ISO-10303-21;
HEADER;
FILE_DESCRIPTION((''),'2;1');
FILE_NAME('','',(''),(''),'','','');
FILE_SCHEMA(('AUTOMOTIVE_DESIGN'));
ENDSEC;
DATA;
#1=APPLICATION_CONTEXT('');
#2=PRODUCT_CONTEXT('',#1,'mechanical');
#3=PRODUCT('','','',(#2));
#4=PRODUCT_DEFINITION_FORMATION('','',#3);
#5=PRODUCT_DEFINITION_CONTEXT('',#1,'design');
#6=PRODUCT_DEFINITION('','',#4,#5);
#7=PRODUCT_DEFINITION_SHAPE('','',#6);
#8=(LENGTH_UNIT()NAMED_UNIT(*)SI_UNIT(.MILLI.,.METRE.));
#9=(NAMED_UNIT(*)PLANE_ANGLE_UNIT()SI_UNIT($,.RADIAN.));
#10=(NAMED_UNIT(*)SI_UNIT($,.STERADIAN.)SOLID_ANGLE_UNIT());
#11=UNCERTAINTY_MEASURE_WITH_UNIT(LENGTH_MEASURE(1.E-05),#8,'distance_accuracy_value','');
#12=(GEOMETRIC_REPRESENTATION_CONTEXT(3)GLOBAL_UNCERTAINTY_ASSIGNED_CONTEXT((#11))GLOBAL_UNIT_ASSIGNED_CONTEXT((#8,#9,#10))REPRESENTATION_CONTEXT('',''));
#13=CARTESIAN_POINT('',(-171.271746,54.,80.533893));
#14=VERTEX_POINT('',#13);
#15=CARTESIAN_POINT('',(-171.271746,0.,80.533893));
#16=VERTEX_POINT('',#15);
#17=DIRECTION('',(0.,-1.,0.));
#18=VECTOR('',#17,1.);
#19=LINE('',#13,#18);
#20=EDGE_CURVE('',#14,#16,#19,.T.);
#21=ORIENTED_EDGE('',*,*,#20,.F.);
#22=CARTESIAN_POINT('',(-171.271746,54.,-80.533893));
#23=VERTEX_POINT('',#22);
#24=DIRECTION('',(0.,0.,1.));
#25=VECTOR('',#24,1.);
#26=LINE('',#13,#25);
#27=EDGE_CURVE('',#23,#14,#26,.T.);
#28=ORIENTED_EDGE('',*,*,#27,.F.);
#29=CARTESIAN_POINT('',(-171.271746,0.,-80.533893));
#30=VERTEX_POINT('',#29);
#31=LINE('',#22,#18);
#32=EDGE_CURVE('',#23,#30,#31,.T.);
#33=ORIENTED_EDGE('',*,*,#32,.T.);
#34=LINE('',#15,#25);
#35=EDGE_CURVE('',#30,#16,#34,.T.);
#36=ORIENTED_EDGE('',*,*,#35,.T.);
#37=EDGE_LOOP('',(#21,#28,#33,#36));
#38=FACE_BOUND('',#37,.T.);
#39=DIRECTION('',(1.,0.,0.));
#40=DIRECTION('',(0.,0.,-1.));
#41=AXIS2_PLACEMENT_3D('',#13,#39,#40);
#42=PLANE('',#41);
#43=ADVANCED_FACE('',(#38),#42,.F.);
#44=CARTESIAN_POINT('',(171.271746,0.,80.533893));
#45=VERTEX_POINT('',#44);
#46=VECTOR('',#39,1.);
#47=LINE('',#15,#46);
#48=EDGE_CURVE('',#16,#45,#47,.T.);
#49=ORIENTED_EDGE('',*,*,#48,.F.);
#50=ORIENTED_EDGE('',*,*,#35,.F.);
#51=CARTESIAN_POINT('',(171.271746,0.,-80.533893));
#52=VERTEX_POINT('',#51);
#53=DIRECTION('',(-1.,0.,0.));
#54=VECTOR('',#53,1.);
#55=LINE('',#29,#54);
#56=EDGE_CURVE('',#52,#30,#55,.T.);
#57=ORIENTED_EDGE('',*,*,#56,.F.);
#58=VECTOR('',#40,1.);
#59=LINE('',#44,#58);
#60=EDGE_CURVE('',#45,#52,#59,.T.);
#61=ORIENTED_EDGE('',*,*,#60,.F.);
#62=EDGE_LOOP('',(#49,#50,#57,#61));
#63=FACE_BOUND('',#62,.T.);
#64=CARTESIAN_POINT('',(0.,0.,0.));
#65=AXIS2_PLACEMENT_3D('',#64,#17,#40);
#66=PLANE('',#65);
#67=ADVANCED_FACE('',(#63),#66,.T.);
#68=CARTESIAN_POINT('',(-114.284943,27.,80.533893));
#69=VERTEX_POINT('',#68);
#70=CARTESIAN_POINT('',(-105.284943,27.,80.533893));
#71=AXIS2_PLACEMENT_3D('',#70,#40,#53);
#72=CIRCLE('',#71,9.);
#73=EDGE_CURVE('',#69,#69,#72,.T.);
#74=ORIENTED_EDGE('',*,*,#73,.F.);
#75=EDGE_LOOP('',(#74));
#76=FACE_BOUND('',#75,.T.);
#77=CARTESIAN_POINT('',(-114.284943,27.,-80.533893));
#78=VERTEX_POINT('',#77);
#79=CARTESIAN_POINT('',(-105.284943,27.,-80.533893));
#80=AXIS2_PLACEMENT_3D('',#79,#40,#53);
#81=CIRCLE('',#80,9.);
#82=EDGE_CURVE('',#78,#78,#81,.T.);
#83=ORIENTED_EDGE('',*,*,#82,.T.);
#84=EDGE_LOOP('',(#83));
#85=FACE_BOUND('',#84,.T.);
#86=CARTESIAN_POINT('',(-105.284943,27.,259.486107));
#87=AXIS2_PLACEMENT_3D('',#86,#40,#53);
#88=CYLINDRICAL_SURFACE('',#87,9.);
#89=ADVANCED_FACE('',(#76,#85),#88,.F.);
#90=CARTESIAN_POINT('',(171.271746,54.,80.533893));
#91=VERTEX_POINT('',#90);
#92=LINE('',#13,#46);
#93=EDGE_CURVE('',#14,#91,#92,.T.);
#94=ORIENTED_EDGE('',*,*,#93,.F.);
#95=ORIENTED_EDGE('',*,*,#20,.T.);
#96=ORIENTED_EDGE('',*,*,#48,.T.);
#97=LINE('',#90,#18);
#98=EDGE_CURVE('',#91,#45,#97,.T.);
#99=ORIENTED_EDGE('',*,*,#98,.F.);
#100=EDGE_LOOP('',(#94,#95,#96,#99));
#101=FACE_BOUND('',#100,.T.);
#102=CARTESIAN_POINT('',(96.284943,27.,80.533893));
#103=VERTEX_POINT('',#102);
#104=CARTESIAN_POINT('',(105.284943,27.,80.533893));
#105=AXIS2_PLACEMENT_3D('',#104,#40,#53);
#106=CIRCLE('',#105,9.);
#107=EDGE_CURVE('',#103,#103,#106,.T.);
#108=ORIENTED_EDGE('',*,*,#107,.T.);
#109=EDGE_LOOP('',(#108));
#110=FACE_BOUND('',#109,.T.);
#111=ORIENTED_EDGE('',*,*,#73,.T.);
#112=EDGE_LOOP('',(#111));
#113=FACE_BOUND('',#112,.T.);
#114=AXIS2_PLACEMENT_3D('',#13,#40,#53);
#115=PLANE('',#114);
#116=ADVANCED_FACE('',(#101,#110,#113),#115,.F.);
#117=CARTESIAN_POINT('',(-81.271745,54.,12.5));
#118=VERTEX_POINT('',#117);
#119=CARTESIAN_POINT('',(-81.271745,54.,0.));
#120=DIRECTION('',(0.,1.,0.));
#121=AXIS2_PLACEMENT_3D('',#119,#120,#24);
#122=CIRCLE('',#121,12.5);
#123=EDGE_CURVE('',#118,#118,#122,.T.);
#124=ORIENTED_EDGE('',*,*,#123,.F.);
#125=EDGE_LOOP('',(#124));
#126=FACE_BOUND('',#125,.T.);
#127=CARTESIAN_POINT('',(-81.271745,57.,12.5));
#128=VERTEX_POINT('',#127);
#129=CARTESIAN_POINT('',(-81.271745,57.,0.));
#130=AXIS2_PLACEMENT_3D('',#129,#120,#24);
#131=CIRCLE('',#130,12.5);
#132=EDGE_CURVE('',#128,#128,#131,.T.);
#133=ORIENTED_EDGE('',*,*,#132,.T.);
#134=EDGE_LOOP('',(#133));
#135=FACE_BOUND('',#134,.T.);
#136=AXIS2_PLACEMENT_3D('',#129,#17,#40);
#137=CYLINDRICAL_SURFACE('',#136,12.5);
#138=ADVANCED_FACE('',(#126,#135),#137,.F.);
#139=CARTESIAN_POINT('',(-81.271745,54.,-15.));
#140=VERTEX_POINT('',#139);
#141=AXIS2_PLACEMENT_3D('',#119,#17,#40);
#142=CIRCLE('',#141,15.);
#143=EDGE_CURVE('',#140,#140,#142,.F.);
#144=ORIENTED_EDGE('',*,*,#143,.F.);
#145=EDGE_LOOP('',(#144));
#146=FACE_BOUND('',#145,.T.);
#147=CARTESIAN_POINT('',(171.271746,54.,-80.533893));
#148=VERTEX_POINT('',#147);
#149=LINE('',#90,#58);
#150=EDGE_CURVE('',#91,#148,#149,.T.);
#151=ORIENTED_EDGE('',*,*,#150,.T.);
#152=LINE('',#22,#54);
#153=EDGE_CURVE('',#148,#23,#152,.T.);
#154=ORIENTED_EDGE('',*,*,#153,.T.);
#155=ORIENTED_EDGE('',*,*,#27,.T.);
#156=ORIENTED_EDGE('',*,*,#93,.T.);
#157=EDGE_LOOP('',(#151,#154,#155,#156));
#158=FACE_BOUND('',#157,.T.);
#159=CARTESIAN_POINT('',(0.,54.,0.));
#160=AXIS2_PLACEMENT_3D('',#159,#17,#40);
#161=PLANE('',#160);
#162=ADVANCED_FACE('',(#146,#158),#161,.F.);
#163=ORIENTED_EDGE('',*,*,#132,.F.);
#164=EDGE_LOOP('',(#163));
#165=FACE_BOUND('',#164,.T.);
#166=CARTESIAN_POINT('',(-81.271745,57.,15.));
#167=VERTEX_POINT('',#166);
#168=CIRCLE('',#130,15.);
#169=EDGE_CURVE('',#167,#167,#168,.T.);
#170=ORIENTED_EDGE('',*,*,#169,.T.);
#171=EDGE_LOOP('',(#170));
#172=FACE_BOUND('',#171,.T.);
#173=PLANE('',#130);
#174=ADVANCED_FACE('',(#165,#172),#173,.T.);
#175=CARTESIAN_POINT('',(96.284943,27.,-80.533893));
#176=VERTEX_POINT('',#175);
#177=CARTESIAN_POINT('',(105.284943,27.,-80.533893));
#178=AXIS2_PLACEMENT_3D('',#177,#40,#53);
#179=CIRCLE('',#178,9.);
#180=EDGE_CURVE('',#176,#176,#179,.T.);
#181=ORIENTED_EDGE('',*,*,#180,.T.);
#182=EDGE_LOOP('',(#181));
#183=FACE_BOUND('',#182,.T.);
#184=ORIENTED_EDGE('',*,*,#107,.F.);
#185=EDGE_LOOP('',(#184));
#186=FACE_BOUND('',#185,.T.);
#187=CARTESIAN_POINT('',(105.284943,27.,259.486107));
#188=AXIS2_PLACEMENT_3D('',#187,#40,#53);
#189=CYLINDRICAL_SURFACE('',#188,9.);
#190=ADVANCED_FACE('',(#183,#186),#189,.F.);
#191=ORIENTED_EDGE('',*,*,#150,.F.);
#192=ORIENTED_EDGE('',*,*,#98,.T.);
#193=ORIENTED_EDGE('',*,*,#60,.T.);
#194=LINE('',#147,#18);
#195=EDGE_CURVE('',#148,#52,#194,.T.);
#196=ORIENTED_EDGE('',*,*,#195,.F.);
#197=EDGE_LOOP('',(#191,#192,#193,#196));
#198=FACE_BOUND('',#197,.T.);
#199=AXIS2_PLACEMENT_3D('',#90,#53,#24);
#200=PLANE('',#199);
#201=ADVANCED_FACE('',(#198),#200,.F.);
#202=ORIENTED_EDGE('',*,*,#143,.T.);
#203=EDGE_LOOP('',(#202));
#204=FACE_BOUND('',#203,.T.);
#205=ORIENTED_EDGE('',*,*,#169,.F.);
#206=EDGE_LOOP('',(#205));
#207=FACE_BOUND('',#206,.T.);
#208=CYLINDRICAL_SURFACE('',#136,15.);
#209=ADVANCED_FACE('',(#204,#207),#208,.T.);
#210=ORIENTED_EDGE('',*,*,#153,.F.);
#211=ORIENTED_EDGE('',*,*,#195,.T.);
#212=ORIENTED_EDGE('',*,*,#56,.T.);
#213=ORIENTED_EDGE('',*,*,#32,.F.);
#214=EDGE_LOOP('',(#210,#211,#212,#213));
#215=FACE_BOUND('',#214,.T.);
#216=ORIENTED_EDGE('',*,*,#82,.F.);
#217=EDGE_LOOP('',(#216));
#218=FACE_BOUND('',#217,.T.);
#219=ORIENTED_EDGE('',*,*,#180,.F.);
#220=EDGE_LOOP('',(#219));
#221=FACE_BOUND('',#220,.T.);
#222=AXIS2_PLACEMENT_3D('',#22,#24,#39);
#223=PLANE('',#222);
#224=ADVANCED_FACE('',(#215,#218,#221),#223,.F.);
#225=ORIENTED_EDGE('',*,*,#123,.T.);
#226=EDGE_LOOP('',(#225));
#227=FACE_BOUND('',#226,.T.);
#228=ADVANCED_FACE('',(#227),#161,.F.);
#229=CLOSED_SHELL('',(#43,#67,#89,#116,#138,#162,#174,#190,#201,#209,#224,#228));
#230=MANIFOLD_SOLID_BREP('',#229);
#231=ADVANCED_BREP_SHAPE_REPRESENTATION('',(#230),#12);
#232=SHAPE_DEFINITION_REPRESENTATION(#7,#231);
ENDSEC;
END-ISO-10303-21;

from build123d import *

# Parameters (mm, degrees)
SKETCH1_W           = 342.543491
SKETCH1_H           = 161.067786
BOSS_EXTRUDE1_DEPTH = 54
SKETCH3_R           = 9
CUT_EXTRUDE1_DEPTH  = 340.02
SKETCH4_R           = 15
SKETCH4_R_2         = 12.5
BOSS_EXTRUDE2_DEPTH = 3


with BuildPart() as part:
    # Sketch1 → Boss-Extrude1 (new body)
    with BuildSketch(Plane(origin=(0, 0, 0), x_dir=(1, 0, 0), z_dir=(0, 1, 0))):
        Rectangle(SKETCH1_W, SKETCH1_H)
    extrude(amount=BOSS_EXTRUDE1_DEPTH)

    # Sketch3 → Cut-Extrude1 (cut)
    with BuildSketch(Plane(origin=(0, 0, -80.533893), x_dir=(-1, 0, 0), z_dir=(0, 0, -1))):
        with Locations((-105.2849429, 27)):
            Circle(SKETCH3_R)
        with Locations((105.2849429, 27)):
            Circle(SKETCH3_R)
    extrude(amount=-CUT_EXTRUDE1_DEPTH, mode=Mode.SUBTRACT)

    # Sketch4 → Boss-Extrude2 (add)
    with BuildSketch(Plane(origin=(0, 54, 0), x_dir=(1, 0, 0), z_dir=(0, 1, 0))):
        with Locations((-81.2717455, 0)):
            Circle(SKETCH4_R)
        with Locations((-81.2717455, 0)):
            Circle(SKETCH4_R_2, mode=Mode.SUBTRACT)
    extrude(amount=BOSS_EXTRUDE2_DEPTH)


solid = part.part
